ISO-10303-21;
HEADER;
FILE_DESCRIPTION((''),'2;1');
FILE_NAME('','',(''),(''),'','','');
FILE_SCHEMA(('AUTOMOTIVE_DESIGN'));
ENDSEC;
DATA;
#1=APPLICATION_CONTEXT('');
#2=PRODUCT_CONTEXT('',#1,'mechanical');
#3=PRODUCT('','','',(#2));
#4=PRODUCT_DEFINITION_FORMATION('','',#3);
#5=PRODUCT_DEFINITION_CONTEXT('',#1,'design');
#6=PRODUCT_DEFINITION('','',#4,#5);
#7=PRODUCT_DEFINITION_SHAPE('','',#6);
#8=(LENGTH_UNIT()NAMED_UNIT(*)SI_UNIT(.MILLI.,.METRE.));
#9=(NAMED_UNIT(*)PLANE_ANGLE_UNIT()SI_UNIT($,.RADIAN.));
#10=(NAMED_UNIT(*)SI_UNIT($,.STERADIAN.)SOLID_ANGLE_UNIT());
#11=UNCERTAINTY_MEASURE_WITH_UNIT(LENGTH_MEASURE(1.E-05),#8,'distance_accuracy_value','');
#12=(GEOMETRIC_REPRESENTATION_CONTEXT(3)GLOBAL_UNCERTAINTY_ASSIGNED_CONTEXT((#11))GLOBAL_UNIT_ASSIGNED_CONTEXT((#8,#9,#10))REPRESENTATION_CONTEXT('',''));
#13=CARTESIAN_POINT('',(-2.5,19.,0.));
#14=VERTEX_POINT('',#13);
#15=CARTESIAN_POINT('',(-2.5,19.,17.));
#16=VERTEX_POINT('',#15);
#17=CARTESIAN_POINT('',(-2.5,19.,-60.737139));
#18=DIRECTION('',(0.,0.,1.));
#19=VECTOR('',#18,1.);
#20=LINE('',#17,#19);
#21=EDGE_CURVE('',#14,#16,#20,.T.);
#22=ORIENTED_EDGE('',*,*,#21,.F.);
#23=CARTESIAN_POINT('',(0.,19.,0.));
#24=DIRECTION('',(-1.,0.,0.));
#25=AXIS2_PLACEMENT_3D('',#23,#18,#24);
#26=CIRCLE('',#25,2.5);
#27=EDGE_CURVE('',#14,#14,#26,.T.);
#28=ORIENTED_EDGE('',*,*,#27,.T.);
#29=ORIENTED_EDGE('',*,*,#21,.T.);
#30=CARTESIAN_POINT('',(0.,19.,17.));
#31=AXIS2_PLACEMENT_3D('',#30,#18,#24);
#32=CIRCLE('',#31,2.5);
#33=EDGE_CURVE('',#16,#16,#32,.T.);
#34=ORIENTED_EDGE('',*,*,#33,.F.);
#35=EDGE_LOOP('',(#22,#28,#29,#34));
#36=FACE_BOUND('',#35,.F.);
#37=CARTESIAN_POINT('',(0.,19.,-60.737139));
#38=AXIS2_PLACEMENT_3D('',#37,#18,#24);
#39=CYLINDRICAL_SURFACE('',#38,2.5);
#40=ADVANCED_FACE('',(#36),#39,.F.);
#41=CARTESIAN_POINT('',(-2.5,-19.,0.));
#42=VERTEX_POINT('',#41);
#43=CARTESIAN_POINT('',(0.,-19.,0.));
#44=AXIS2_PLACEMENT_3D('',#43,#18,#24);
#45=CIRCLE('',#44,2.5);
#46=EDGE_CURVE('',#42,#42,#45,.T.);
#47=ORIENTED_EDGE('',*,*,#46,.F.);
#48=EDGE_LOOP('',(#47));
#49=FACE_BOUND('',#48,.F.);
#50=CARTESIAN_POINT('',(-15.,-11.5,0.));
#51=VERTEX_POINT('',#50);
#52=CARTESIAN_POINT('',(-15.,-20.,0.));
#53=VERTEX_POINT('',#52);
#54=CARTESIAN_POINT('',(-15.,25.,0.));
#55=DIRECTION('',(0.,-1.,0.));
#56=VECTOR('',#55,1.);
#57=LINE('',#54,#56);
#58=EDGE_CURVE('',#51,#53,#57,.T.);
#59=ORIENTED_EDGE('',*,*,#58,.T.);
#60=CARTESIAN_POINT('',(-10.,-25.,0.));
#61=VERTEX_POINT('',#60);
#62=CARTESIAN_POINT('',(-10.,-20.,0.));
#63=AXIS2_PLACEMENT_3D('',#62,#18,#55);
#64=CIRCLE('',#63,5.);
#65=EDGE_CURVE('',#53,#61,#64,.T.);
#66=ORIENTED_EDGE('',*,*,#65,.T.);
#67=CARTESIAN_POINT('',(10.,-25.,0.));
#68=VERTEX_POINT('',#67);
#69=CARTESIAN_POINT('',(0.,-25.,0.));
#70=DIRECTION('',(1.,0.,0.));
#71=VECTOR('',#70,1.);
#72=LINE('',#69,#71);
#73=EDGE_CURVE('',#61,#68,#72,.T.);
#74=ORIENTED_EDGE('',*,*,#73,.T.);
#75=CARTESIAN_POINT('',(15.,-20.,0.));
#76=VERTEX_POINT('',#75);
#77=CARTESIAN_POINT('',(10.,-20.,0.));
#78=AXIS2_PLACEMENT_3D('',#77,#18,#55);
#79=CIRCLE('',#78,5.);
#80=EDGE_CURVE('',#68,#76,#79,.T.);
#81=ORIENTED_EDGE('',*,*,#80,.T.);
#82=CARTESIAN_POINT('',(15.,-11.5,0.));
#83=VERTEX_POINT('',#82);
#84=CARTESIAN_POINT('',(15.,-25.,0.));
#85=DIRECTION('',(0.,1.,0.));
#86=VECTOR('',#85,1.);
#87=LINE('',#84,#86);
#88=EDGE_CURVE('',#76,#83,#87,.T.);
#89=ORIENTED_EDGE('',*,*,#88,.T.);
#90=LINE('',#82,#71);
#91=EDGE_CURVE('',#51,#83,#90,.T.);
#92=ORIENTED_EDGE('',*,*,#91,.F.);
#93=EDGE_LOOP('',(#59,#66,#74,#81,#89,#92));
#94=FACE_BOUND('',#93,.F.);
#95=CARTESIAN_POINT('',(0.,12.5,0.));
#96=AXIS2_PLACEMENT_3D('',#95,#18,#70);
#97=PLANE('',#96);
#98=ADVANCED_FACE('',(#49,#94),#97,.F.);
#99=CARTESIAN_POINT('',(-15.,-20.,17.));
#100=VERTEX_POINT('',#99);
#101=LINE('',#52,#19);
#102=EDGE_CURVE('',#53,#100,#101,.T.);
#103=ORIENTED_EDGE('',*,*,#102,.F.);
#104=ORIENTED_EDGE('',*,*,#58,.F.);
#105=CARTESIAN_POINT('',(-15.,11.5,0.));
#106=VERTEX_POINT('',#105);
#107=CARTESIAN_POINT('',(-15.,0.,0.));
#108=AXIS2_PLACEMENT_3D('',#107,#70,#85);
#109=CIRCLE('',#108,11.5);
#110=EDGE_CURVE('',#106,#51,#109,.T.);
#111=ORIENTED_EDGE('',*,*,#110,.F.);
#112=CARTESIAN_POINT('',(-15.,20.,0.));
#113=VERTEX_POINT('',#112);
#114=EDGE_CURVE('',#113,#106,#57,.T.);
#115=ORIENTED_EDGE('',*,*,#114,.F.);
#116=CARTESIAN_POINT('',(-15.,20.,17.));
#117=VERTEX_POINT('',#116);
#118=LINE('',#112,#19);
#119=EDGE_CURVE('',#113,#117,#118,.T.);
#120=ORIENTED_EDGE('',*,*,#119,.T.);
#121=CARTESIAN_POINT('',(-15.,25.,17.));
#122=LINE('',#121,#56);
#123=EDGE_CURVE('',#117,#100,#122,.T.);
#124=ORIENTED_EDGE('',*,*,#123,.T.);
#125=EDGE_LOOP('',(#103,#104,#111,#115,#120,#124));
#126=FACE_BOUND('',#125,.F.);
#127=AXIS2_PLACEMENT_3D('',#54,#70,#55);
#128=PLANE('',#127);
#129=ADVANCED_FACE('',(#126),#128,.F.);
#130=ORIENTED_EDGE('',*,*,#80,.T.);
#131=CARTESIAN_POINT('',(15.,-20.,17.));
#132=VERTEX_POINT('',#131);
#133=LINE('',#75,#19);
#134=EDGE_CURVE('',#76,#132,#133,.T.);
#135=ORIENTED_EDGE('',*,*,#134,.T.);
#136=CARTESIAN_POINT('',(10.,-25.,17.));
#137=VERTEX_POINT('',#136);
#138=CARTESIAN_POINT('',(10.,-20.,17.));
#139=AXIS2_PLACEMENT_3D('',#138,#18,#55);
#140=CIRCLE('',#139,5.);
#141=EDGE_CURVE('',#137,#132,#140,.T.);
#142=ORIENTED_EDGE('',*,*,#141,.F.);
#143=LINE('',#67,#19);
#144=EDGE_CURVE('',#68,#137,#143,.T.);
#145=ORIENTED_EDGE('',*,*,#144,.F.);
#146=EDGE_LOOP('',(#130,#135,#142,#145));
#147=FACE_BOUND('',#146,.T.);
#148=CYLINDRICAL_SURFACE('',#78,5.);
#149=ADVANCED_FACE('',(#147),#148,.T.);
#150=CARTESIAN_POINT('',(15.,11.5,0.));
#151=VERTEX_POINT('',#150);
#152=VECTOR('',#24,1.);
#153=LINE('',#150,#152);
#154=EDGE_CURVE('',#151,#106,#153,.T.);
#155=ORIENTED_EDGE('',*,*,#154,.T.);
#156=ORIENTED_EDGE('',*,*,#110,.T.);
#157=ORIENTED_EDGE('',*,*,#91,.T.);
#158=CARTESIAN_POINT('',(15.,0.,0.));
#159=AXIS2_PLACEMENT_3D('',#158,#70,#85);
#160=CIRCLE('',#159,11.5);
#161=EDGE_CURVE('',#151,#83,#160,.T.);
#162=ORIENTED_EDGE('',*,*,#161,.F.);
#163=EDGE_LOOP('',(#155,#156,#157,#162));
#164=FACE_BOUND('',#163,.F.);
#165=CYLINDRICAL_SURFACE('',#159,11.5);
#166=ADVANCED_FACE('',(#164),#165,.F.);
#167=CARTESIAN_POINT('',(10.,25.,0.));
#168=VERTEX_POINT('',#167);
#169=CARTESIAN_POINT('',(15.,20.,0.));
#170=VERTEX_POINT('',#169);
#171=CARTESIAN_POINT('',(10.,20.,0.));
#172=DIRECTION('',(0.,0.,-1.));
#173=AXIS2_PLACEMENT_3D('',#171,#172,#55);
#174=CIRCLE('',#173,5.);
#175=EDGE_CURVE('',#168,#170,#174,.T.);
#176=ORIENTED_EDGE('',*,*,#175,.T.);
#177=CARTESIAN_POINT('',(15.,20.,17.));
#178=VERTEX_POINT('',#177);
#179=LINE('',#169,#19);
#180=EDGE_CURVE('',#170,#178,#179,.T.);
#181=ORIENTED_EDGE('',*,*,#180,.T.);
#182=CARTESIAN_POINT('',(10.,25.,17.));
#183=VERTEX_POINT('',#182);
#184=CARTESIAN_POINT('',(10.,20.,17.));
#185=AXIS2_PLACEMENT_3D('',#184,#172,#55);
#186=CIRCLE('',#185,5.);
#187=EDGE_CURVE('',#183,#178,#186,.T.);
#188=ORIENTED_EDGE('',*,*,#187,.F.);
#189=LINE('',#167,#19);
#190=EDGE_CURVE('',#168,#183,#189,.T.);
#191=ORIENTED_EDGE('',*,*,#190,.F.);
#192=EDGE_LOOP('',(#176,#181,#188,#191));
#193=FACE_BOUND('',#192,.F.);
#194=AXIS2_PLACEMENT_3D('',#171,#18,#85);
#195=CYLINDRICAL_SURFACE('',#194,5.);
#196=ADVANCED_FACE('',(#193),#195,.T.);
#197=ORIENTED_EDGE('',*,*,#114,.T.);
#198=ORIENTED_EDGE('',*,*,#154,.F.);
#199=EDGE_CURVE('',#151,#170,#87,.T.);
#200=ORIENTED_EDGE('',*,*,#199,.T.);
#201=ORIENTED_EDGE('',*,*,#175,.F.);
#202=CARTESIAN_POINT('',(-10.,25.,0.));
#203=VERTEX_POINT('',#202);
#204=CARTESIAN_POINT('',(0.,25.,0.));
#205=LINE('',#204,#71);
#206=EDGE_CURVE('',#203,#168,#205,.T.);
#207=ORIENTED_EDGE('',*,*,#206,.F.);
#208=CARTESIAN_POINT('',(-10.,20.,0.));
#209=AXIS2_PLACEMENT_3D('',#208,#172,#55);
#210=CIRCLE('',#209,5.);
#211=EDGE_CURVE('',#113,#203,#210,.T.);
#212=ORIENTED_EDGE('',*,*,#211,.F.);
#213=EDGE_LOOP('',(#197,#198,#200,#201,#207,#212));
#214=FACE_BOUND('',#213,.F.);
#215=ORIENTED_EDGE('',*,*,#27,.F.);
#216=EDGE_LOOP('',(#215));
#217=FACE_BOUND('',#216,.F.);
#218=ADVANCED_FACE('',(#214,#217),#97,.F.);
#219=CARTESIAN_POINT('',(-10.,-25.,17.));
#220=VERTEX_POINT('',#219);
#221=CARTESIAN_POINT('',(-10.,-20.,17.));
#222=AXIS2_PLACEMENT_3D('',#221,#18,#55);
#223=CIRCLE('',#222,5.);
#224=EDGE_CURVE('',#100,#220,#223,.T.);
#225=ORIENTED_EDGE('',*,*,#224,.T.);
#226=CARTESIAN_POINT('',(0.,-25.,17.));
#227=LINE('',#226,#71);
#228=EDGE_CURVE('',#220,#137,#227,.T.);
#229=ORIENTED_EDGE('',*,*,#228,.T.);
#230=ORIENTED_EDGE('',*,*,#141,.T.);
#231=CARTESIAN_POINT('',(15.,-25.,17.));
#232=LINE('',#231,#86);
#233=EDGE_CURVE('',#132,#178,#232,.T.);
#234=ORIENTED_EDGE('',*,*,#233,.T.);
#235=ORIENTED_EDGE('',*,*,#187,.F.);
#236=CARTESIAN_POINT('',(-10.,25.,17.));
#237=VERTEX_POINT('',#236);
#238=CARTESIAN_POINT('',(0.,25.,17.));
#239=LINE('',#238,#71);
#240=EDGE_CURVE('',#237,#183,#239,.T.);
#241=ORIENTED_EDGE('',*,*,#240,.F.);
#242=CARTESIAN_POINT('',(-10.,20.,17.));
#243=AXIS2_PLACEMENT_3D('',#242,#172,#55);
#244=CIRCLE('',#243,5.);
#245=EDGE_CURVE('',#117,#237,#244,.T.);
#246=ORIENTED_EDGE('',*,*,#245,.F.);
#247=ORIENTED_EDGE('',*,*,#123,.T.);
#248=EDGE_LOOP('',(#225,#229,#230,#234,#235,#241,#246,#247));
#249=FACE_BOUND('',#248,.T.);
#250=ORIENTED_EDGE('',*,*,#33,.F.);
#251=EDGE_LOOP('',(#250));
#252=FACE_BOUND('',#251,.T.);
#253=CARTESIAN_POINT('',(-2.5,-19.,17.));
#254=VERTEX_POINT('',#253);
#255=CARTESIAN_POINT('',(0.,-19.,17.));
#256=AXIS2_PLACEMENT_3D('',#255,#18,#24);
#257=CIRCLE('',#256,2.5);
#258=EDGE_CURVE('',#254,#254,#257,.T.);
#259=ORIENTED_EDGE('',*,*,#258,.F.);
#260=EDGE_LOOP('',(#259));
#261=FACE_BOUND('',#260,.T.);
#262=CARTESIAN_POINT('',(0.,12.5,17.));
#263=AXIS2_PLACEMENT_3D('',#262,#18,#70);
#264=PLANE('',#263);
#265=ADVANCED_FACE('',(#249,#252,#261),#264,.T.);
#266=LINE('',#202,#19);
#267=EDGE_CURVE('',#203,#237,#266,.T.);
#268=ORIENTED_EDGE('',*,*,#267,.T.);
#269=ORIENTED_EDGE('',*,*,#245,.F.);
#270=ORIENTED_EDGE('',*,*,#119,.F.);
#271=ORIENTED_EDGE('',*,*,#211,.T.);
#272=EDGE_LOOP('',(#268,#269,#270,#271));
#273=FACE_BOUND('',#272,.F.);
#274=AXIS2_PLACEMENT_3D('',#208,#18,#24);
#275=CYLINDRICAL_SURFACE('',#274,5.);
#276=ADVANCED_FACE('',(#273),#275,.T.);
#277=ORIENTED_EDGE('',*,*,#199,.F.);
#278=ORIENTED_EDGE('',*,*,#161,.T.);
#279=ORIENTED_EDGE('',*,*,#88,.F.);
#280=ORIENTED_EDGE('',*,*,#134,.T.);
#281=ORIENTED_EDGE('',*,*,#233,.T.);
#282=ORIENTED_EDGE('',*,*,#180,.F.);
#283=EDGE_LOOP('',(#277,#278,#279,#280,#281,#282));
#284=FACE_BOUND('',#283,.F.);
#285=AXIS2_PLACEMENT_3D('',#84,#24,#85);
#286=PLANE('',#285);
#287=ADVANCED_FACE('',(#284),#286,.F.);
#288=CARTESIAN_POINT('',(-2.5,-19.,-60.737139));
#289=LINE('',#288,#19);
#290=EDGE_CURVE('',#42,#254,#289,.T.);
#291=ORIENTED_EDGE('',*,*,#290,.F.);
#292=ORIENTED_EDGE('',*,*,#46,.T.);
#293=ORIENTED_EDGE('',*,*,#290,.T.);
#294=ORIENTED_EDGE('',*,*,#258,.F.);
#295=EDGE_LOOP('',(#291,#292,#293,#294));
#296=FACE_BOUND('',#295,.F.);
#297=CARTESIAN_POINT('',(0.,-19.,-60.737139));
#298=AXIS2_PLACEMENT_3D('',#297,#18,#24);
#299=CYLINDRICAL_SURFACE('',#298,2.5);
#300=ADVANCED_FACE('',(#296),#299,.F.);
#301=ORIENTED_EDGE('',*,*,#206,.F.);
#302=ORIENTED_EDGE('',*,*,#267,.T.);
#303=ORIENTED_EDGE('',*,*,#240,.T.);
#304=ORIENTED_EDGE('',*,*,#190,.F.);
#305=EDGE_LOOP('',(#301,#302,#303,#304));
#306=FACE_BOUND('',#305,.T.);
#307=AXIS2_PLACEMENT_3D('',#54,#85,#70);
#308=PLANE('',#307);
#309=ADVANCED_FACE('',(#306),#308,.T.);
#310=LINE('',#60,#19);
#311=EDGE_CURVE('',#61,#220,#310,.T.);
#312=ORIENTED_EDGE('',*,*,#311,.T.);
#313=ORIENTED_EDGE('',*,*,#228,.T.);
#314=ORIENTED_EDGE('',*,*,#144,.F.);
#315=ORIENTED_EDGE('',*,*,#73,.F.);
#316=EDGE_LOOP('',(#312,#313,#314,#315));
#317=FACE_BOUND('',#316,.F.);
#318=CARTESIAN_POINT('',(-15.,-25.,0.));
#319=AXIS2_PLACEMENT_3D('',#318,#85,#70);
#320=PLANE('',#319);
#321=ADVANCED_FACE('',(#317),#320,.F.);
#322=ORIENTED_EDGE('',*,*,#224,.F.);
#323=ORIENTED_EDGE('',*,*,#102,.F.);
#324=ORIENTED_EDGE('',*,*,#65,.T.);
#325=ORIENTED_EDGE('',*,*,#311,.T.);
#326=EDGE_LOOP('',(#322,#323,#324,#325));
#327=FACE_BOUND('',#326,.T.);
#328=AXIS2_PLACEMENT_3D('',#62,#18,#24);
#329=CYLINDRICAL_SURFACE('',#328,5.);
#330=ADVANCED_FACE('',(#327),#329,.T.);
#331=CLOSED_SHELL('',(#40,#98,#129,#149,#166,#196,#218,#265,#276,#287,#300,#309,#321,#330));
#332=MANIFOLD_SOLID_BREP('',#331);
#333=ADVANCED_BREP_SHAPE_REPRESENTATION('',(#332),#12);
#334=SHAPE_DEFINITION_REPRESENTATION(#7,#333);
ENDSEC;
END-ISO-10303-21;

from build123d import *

# Parameters (mm, degrees)
F0_W     = 30
F0_H     = 25
F1_DEPTH = 17
F2_D     = 5
F4_DEPTH = 50
F5_R     = 5


with BuildPart() as f1:
    # F0 (on Top) → F1 (new body)
    with BuildSketch(Plane.XY):
        with Locations((0, 12.5)):
            Rectangle(F0_W, F0_H)
        with Locations((0, -12.5)):
            Rectangle(F0_W, F0_H)
    extrude(amount=F1_DEPTH)

    # F2 (through all)
    with Locations(Plane(origin=(0, 0, 0), x_dir=(1, 0, 0), z_dir=(0, 0, -1))):
        with Locations((0, 19), (0, -19)):
            Hole(F2_D / 2)

    # F3 (on face) → F4 (cut)
    with BuildSketch(Plane.YZ.offset(15)):
        with BuildLine():
            ThreePointArc((-11.5, 0), (0, -11.5), (11.5, 0))
            Line((11.5, 0), (-11.5, 0))
        make_face()
        with BuildLine():
            Line((-11.5, 0), (11.5, 0))
            ThreePointArc((11.5, 0), (0, 11.5), (-11.5, 0))
        make_face()
    extrude(amount=-F4_DEPTH, mode=Mode.SUBTRACT)

    # F5
    f5_edges = [f1.edges().sort_by_distance(p)[0] for p in [
        (15, -25, 8.5),
        (-15, -25, 8.5),
        (15, 25, 8.5),
        (-15, 25, 8.5),
    ]]
    fillet(f5_edges, radius=F5_R)


solid = f1.part
